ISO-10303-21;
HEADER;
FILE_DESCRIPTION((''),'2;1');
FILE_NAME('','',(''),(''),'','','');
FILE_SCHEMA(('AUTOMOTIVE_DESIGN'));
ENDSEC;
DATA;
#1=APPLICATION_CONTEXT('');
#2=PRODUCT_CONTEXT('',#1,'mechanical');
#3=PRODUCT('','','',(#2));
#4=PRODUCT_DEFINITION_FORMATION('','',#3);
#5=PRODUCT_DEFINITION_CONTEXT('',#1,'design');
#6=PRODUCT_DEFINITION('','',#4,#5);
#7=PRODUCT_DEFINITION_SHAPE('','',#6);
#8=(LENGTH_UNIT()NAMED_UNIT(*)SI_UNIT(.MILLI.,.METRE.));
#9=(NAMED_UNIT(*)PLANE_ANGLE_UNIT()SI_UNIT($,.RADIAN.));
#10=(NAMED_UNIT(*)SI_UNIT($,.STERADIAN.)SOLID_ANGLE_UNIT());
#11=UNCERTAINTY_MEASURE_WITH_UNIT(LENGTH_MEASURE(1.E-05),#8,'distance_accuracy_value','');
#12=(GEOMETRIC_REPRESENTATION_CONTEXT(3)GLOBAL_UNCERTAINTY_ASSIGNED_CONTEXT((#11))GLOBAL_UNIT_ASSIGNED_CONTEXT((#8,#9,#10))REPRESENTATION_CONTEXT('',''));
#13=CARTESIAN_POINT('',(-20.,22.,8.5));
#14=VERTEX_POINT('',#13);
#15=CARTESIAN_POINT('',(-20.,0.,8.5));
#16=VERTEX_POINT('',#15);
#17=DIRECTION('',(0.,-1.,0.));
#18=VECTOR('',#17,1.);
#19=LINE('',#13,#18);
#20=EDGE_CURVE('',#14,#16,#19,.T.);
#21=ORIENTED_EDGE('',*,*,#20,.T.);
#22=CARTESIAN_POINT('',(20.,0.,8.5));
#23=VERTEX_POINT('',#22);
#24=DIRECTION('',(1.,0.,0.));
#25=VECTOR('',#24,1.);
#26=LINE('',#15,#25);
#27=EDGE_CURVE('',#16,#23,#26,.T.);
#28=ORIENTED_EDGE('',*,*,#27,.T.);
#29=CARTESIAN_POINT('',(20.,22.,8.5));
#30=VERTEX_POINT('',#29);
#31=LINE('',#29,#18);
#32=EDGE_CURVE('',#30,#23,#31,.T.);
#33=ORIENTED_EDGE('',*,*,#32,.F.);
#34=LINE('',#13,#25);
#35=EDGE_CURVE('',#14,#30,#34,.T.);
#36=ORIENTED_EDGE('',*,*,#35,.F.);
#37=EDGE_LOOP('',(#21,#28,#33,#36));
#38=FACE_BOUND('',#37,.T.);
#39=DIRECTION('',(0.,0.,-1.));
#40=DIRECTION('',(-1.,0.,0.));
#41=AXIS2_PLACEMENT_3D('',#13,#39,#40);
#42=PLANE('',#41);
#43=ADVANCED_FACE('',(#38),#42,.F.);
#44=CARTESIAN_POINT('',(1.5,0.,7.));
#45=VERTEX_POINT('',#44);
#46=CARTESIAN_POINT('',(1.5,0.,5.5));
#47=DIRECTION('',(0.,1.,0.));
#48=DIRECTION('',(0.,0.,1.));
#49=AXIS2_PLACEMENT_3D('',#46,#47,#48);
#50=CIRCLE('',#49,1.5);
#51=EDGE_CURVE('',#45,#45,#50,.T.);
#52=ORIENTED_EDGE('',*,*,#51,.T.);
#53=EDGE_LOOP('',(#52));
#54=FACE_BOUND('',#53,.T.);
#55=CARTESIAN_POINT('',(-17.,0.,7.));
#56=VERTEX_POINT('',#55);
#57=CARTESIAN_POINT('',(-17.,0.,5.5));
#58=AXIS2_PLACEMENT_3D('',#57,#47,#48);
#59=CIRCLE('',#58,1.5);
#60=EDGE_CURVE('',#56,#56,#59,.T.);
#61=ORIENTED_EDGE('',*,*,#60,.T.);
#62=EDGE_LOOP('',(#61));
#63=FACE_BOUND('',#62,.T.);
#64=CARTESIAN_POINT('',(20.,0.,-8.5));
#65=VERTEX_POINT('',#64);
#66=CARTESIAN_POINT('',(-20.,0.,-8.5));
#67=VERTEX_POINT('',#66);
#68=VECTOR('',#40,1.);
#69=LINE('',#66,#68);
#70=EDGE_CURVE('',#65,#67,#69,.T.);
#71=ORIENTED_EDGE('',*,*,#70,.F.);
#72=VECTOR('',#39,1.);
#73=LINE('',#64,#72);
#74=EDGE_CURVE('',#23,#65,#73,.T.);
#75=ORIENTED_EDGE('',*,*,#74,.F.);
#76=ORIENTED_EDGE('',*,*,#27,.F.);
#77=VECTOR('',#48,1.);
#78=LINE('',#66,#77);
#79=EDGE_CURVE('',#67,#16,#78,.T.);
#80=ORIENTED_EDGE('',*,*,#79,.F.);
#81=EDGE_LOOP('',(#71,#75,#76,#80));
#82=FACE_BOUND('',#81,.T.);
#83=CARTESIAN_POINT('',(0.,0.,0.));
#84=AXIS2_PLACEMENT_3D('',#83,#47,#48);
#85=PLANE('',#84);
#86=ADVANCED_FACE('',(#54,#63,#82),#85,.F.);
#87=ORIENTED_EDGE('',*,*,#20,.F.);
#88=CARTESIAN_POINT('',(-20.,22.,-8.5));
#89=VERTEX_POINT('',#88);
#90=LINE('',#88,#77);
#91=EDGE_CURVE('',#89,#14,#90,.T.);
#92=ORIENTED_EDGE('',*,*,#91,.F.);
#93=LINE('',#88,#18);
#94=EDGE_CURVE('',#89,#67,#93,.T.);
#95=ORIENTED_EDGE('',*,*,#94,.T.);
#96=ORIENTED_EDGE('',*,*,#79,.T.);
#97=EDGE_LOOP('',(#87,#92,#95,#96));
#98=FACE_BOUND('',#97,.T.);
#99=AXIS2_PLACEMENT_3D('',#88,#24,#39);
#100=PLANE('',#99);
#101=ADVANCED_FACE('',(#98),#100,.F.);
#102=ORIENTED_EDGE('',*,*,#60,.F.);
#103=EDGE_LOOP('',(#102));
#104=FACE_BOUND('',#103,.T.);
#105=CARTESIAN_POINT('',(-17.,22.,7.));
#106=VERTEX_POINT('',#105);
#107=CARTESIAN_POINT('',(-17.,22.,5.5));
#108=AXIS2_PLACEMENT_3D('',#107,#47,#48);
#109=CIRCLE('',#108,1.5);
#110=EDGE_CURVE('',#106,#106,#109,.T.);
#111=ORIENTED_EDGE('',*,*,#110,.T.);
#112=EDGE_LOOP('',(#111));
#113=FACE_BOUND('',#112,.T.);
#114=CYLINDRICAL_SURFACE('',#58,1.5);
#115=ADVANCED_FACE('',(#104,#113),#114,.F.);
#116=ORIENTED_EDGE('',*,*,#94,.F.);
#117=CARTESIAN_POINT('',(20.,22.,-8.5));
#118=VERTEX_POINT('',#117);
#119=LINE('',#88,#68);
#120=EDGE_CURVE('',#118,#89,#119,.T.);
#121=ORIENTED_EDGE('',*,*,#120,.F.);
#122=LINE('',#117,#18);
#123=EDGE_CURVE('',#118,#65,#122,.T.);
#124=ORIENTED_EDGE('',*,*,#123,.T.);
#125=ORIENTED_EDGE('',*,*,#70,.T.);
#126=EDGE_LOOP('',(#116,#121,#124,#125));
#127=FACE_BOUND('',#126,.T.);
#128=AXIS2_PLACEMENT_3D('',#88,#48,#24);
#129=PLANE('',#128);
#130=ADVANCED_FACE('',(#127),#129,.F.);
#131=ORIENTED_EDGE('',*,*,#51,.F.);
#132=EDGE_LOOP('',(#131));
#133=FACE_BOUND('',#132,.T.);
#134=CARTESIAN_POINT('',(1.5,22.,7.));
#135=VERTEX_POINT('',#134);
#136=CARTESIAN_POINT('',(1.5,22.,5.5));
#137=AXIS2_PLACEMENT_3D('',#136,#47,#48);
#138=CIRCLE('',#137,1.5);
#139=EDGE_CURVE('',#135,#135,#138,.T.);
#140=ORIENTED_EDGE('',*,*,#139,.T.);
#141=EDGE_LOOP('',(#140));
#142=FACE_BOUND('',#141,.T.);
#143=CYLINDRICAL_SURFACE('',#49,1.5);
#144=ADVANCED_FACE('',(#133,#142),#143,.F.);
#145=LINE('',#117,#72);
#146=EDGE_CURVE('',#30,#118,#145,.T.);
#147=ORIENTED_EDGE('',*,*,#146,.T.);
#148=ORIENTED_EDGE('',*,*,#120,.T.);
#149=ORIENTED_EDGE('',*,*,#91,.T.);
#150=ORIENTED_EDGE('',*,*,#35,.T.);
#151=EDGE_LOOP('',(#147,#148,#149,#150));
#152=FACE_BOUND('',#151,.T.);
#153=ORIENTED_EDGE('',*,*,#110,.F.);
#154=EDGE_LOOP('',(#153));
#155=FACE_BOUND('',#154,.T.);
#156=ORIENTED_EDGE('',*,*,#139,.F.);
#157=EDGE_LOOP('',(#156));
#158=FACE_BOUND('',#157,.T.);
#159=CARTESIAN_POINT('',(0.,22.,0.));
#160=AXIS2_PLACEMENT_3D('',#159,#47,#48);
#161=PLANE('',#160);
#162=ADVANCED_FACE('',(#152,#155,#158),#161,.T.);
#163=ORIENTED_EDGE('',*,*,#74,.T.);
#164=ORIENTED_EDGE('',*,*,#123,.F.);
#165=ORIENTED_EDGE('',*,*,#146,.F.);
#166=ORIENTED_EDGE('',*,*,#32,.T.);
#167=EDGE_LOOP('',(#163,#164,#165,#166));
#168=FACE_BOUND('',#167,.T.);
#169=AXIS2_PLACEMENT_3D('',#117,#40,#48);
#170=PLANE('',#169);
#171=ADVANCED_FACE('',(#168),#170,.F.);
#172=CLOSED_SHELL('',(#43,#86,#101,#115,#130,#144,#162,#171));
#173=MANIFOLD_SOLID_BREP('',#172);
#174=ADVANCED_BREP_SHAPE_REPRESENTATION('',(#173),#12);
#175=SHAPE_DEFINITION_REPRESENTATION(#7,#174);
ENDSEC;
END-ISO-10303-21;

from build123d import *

# Parameters (mm, degrees)
SKETCH1_W           = 40
SKETCH1_H           = 17
BOSS_EXTRUDE1_DEPTH = 22
SKETCH2_R           = 1.5
CUT_EXTRUDE1_DEPTH  = 22
SKETCH3_R           = 1.5
CUT_EXTRUDE2_DEPTH  = 22


with BuildPart() as part:
    # Sketch1 → Boss-Extrude1 (new body)
    with BuildSketch(Plane(origin=(0, 0, 0), x_dir=(1, 0, 0), z_dir=(0, 1, 0))):
        Rectangle(SKETCH1_W, SKETCH1_H)
    extrude(amount=BOSS_EXTRUDE1_DEPTH)

    # Sketch2 → Cut-Extrude1 (cut)
    with BuildSketch(Plane(origin=(0, 22, 0), x_dir=(1, 0, 0), z_dir=(0, 1, 0))):
        with Locations(Location((-17, -5.5, 0), (0, 0, 270))):
            Circle(SKETCH2_R)
    extrude(amount=-CUT_EXTRUDE1_DEPTH, mode=Mode.SUBTRACT)

    # Sketch3 → Cut-Extrude2 (cut)
    with BuildSketch(Plane(origin=(0, 22, 0), x_dir=(1, 0, 0), z_dir=(0, 1, 0))):
        with Locations(Location((1.5, -5.5, 0), (0, 0, 270))):
            Circle(SKETCH3_R)
    extrude(amount=-CUT_EXTRUDE2_DEPTH, mode=Mode.SUBTRACT)


solid = part.part
